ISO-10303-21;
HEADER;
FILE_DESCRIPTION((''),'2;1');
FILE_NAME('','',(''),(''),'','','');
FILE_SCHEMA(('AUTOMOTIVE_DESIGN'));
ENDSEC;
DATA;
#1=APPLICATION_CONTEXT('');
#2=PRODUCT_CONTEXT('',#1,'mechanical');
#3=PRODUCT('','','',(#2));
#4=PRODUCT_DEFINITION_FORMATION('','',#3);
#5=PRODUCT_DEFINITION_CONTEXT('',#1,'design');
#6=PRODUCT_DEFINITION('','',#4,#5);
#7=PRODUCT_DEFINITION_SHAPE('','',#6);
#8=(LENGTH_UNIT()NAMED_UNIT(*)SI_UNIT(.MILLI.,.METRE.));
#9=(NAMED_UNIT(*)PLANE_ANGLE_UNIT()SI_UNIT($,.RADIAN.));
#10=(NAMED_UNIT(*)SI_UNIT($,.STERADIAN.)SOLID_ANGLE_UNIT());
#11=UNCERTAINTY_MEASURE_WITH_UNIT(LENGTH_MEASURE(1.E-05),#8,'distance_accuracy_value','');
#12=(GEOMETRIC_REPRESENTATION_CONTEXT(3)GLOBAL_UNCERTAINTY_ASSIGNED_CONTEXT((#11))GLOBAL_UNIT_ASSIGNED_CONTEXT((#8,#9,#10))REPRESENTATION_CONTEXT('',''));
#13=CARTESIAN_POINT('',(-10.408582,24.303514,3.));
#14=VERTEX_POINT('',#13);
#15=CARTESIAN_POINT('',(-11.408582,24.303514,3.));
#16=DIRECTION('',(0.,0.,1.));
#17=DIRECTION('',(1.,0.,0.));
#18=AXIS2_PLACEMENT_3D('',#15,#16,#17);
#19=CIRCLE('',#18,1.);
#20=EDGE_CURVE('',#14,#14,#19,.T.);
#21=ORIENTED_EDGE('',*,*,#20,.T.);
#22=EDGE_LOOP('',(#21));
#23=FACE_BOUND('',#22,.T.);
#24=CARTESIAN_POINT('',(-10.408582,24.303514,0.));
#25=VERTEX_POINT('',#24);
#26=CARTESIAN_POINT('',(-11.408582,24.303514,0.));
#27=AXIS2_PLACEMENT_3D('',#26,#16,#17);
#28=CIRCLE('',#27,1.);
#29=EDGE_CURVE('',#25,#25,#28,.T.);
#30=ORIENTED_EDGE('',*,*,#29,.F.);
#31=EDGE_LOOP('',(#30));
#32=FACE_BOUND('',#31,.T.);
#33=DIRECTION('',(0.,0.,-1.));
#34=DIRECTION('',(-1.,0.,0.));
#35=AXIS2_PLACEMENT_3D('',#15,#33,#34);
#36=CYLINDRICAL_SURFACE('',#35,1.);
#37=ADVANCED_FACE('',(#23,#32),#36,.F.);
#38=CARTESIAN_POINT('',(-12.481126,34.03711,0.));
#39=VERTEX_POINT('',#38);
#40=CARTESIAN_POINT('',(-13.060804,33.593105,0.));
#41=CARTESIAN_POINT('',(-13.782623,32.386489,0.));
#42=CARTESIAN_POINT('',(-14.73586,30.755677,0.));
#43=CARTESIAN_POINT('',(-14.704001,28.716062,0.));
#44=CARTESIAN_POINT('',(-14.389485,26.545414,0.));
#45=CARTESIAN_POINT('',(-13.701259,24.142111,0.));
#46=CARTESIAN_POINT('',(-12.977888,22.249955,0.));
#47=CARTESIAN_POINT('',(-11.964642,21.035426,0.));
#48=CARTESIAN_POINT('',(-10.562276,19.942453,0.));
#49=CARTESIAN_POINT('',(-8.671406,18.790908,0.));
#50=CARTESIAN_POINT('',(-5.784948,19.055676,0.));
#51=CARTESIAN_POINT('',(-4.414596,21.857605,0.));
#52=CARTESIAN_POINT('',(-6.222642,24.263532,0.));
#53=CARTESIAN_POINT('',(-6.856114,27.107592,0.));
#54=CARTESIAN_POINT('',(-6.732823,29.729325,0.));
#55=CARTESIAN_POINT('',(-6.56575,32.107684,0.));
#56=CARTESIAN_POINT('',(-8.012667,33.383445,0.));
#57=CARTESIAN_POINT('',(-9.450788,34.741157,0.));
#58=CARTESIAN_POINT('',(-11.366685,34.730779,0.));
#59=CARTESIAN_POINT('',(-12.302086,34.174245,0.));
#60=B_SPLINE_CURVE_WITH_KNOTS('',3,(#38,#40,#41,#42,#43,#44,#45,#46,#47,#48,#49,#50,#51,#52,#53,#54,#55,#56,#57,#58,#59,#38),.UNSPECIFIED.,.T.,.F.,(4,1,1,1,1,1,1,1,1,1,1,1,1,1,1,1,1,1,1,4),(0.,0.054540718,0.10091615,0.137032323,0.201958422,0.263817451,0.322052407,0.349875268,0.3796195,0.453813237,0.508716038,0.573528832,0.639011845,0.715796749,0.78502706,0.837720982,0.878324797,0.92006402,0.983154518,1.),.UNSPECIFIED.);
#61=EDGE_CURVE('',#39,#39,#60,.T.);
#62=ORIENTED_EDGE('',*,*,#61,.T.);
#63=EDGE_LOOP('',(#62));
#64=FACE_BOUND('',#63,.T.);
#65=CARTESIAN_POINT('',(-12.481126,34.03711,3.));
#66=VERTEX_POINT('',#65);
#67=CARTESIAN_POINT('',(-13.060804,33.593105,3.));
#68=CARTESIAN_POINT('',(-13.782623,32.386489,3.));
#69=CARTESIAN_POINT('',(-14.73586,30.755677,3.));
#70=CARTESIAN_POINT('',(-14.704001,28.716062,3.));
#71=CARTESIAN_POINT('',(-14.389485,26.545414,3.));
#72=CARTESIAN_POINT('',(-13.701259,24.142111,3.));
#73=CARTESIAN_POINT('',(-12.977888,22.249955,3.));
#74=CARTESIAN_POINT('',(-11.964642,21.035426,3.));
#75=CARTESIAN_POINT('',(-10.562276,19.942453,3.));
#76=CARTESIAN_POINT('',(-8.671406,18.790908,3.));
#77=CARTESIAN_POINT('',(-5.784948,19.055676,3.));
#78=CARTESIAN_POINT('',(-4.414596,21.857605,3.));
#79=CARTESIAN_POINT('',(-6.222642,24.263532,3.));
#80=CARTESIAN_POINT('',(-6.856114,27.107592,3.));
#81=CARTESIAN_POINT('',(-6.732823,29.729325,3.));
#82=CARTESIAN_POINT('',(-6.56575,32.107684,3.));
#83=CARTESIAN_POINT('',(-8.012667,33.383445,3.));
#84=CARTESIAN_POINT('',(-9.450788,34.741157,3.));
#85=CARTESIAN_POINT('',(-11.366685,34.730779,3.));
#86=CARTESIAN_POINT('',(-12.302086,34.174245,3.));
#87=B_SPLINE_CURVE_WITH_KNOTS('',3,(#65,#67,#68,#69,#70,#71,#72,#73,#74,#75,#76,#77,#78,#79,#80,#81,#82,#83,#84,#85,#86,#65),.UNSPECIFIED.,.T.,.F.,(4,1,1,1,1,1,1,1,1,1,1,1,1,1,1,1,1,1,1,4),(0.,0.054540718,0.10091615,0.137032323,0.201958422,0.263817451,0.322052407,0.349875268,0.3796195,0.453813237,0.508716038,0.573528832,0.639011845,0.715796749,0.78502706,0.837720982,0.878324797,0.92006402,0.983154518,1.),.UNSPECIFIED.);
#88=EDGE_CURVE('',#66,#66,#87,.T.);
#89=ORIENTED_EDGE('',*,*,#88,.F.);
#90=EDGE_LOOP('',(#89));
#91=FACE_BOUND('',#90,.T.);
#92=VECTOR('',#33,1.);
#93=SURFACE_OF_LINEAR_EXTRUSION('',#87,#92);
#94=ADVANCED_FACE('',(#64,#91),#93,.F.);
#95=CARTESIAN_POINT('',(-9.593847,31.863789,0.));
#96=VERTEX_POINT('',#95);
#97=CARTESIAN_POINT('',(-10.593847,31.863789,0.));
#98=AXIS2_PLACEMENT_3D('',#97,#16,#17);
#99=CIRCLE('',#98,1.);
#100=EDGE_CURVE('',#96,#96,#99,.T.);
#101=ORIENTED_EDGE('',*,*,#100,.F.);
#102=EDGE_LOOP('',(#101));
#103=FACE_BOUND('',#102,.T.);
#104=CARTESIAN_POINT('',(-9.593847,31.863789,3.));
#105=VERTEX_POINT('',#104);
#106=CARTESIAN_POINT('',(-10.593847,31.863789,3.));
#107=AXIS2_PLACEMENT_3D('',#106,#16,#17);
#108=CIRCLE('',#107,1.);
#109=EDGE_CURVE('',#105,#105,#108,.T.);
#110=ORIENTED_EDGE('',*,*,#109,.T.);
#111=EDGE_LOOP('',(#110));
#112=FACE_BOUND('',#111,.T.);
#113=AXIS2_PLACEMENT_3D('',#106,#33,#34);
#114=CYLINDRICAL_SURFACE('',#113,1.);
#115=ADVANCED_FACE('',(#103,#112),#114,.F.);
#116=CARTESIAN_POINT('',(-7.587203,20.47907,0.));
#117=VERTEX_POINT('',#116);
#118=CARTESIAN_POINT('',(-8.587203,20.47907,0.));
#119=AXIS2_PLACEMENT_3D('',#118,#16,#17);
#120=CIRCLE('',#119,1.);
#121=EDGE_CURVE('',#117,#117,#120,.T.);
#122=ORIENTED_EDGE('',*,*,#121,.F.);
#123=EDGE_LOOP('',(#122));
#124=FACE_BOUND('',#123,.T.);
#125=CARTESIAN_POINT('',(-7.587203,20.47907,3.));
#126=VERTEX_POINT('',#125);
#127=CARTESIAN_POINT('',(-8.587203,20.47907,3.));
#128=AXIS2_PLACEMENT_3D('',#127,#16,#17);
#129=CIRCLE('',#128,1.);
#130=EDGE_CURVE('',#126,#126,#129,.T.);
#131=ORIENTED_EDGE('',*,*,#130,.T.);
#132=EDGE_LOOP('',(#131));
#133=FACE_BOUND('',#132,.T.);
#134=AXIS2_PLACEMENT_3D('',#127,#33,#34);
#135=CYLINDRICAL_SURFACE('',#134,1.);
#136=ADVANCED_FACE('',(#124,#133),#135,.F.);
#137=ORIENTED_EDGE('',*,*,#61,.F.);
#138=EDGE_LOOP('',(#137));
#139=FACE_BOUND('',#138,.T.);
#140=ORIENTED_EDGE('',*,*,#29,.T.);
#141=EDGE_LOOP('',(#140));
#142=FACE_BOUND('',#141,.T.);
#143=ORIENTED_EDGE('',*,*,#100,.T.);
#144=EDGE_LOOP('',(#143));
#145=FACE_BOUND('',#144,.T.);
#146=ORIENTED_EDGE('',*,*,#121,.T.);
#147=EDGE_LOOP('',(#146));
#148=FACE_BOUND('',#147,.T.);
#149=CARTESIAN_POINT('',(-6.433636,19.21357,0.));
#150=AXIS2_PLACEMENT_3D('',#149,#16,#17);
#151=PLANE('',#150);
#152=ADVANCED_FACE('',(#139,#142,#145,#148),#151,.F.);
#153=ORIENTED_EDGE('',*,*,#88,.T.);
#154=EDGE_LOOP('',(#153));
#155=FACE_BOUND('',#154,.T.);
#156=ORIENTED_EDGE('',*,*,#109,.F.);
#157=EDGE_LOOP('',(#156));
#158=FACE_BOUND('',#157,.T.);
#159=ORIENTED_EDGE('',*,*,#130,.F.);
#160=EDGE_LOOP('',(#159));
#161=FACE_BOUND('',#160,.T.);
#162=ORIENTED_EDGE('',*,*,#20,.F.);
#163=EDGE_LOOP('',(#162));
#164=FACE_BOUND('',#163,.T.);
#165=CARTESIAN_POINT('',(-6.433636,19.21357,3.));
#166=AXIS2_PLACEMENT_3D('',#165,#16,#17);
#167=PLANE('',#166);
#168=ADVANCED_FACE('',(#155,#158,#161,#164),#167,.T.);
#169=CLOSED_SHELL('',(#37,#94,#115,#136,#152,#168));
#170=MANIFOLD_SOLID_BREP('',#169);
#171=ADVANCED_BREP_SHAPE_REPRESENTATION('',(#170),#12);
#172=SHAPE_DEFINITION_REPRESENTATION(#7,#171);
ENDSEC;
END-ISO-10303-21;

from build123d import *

# Parameters (mm, degrees)
SKETCH1_R           = 1
BOSS_EXTRUDE1_DEPTH = 3


with BuildPart() as part:
    # Sketch1 → Boss-Extrude1 (new body)
    with BuildSketch(Plane.XY):
        with BuildLine():
            add(Edge.make_bspline(
                [(-12.48112564, 34.03710972), (-12.302085728, 34.174245405), (-11.366685018, 34.730779027), (-9.450787623, 34.741156546), (-8.01266663, 33.383444608), (-6.56574966, 32.107683605), (-6.732822806, 29.72932544), (-6.856113521, 27.107591861), (-6.222641841, 24.263531887), (-4.414595607, 21.857604516), (-5.784947897, 19.055675592), (-8.671405591, 18.790908462), (-10.562276093, 19.942452997), (-11.964642166, 21.035426328), (-12.977887528, 22.249955145), (-13.70125892, 24.142110668), (-14.389484989, 26.545414253), (-14.704000852, 28.716062044), (-14.735859832, 30.755676771), (-13.782622679, 32.386488529), (-13.060804235, 33.593104689), (-12.48112564, 34.03710972)],
                knots=[0, 0, 0, 0, 0.016845482, 0.07993598, 0.121675203, 0.162279018, 0.21497294, 0.284203251, 0.360988155, 0.426471168, 0.491283962, 0.546186763, 0.6203805, 0.650124732, 0.677947593, 0.736182549, 0.798041578, 0.862967677, 0.89908385, 0.945459282, 1, 1, 1, 1], degree=3))
        make_face()
        with Locations((-10.593846929, 31.863789047)):
            Circle(SKETCH1_R, mode=Mode.SUBTRACT)
        with Locations((-8.587203419, 20.479070181)):
            Circle(SKETCH1_R, mode=Mode.SUBTRACT)
        with Locations((-11.408582392, 24.303513571)):
            Circle(SKETCH1_R, mode=Mode.SUBTRACT)
    extrude(amount=BOSS_EXTRUDE1_DEPTH)


solid = part.part
